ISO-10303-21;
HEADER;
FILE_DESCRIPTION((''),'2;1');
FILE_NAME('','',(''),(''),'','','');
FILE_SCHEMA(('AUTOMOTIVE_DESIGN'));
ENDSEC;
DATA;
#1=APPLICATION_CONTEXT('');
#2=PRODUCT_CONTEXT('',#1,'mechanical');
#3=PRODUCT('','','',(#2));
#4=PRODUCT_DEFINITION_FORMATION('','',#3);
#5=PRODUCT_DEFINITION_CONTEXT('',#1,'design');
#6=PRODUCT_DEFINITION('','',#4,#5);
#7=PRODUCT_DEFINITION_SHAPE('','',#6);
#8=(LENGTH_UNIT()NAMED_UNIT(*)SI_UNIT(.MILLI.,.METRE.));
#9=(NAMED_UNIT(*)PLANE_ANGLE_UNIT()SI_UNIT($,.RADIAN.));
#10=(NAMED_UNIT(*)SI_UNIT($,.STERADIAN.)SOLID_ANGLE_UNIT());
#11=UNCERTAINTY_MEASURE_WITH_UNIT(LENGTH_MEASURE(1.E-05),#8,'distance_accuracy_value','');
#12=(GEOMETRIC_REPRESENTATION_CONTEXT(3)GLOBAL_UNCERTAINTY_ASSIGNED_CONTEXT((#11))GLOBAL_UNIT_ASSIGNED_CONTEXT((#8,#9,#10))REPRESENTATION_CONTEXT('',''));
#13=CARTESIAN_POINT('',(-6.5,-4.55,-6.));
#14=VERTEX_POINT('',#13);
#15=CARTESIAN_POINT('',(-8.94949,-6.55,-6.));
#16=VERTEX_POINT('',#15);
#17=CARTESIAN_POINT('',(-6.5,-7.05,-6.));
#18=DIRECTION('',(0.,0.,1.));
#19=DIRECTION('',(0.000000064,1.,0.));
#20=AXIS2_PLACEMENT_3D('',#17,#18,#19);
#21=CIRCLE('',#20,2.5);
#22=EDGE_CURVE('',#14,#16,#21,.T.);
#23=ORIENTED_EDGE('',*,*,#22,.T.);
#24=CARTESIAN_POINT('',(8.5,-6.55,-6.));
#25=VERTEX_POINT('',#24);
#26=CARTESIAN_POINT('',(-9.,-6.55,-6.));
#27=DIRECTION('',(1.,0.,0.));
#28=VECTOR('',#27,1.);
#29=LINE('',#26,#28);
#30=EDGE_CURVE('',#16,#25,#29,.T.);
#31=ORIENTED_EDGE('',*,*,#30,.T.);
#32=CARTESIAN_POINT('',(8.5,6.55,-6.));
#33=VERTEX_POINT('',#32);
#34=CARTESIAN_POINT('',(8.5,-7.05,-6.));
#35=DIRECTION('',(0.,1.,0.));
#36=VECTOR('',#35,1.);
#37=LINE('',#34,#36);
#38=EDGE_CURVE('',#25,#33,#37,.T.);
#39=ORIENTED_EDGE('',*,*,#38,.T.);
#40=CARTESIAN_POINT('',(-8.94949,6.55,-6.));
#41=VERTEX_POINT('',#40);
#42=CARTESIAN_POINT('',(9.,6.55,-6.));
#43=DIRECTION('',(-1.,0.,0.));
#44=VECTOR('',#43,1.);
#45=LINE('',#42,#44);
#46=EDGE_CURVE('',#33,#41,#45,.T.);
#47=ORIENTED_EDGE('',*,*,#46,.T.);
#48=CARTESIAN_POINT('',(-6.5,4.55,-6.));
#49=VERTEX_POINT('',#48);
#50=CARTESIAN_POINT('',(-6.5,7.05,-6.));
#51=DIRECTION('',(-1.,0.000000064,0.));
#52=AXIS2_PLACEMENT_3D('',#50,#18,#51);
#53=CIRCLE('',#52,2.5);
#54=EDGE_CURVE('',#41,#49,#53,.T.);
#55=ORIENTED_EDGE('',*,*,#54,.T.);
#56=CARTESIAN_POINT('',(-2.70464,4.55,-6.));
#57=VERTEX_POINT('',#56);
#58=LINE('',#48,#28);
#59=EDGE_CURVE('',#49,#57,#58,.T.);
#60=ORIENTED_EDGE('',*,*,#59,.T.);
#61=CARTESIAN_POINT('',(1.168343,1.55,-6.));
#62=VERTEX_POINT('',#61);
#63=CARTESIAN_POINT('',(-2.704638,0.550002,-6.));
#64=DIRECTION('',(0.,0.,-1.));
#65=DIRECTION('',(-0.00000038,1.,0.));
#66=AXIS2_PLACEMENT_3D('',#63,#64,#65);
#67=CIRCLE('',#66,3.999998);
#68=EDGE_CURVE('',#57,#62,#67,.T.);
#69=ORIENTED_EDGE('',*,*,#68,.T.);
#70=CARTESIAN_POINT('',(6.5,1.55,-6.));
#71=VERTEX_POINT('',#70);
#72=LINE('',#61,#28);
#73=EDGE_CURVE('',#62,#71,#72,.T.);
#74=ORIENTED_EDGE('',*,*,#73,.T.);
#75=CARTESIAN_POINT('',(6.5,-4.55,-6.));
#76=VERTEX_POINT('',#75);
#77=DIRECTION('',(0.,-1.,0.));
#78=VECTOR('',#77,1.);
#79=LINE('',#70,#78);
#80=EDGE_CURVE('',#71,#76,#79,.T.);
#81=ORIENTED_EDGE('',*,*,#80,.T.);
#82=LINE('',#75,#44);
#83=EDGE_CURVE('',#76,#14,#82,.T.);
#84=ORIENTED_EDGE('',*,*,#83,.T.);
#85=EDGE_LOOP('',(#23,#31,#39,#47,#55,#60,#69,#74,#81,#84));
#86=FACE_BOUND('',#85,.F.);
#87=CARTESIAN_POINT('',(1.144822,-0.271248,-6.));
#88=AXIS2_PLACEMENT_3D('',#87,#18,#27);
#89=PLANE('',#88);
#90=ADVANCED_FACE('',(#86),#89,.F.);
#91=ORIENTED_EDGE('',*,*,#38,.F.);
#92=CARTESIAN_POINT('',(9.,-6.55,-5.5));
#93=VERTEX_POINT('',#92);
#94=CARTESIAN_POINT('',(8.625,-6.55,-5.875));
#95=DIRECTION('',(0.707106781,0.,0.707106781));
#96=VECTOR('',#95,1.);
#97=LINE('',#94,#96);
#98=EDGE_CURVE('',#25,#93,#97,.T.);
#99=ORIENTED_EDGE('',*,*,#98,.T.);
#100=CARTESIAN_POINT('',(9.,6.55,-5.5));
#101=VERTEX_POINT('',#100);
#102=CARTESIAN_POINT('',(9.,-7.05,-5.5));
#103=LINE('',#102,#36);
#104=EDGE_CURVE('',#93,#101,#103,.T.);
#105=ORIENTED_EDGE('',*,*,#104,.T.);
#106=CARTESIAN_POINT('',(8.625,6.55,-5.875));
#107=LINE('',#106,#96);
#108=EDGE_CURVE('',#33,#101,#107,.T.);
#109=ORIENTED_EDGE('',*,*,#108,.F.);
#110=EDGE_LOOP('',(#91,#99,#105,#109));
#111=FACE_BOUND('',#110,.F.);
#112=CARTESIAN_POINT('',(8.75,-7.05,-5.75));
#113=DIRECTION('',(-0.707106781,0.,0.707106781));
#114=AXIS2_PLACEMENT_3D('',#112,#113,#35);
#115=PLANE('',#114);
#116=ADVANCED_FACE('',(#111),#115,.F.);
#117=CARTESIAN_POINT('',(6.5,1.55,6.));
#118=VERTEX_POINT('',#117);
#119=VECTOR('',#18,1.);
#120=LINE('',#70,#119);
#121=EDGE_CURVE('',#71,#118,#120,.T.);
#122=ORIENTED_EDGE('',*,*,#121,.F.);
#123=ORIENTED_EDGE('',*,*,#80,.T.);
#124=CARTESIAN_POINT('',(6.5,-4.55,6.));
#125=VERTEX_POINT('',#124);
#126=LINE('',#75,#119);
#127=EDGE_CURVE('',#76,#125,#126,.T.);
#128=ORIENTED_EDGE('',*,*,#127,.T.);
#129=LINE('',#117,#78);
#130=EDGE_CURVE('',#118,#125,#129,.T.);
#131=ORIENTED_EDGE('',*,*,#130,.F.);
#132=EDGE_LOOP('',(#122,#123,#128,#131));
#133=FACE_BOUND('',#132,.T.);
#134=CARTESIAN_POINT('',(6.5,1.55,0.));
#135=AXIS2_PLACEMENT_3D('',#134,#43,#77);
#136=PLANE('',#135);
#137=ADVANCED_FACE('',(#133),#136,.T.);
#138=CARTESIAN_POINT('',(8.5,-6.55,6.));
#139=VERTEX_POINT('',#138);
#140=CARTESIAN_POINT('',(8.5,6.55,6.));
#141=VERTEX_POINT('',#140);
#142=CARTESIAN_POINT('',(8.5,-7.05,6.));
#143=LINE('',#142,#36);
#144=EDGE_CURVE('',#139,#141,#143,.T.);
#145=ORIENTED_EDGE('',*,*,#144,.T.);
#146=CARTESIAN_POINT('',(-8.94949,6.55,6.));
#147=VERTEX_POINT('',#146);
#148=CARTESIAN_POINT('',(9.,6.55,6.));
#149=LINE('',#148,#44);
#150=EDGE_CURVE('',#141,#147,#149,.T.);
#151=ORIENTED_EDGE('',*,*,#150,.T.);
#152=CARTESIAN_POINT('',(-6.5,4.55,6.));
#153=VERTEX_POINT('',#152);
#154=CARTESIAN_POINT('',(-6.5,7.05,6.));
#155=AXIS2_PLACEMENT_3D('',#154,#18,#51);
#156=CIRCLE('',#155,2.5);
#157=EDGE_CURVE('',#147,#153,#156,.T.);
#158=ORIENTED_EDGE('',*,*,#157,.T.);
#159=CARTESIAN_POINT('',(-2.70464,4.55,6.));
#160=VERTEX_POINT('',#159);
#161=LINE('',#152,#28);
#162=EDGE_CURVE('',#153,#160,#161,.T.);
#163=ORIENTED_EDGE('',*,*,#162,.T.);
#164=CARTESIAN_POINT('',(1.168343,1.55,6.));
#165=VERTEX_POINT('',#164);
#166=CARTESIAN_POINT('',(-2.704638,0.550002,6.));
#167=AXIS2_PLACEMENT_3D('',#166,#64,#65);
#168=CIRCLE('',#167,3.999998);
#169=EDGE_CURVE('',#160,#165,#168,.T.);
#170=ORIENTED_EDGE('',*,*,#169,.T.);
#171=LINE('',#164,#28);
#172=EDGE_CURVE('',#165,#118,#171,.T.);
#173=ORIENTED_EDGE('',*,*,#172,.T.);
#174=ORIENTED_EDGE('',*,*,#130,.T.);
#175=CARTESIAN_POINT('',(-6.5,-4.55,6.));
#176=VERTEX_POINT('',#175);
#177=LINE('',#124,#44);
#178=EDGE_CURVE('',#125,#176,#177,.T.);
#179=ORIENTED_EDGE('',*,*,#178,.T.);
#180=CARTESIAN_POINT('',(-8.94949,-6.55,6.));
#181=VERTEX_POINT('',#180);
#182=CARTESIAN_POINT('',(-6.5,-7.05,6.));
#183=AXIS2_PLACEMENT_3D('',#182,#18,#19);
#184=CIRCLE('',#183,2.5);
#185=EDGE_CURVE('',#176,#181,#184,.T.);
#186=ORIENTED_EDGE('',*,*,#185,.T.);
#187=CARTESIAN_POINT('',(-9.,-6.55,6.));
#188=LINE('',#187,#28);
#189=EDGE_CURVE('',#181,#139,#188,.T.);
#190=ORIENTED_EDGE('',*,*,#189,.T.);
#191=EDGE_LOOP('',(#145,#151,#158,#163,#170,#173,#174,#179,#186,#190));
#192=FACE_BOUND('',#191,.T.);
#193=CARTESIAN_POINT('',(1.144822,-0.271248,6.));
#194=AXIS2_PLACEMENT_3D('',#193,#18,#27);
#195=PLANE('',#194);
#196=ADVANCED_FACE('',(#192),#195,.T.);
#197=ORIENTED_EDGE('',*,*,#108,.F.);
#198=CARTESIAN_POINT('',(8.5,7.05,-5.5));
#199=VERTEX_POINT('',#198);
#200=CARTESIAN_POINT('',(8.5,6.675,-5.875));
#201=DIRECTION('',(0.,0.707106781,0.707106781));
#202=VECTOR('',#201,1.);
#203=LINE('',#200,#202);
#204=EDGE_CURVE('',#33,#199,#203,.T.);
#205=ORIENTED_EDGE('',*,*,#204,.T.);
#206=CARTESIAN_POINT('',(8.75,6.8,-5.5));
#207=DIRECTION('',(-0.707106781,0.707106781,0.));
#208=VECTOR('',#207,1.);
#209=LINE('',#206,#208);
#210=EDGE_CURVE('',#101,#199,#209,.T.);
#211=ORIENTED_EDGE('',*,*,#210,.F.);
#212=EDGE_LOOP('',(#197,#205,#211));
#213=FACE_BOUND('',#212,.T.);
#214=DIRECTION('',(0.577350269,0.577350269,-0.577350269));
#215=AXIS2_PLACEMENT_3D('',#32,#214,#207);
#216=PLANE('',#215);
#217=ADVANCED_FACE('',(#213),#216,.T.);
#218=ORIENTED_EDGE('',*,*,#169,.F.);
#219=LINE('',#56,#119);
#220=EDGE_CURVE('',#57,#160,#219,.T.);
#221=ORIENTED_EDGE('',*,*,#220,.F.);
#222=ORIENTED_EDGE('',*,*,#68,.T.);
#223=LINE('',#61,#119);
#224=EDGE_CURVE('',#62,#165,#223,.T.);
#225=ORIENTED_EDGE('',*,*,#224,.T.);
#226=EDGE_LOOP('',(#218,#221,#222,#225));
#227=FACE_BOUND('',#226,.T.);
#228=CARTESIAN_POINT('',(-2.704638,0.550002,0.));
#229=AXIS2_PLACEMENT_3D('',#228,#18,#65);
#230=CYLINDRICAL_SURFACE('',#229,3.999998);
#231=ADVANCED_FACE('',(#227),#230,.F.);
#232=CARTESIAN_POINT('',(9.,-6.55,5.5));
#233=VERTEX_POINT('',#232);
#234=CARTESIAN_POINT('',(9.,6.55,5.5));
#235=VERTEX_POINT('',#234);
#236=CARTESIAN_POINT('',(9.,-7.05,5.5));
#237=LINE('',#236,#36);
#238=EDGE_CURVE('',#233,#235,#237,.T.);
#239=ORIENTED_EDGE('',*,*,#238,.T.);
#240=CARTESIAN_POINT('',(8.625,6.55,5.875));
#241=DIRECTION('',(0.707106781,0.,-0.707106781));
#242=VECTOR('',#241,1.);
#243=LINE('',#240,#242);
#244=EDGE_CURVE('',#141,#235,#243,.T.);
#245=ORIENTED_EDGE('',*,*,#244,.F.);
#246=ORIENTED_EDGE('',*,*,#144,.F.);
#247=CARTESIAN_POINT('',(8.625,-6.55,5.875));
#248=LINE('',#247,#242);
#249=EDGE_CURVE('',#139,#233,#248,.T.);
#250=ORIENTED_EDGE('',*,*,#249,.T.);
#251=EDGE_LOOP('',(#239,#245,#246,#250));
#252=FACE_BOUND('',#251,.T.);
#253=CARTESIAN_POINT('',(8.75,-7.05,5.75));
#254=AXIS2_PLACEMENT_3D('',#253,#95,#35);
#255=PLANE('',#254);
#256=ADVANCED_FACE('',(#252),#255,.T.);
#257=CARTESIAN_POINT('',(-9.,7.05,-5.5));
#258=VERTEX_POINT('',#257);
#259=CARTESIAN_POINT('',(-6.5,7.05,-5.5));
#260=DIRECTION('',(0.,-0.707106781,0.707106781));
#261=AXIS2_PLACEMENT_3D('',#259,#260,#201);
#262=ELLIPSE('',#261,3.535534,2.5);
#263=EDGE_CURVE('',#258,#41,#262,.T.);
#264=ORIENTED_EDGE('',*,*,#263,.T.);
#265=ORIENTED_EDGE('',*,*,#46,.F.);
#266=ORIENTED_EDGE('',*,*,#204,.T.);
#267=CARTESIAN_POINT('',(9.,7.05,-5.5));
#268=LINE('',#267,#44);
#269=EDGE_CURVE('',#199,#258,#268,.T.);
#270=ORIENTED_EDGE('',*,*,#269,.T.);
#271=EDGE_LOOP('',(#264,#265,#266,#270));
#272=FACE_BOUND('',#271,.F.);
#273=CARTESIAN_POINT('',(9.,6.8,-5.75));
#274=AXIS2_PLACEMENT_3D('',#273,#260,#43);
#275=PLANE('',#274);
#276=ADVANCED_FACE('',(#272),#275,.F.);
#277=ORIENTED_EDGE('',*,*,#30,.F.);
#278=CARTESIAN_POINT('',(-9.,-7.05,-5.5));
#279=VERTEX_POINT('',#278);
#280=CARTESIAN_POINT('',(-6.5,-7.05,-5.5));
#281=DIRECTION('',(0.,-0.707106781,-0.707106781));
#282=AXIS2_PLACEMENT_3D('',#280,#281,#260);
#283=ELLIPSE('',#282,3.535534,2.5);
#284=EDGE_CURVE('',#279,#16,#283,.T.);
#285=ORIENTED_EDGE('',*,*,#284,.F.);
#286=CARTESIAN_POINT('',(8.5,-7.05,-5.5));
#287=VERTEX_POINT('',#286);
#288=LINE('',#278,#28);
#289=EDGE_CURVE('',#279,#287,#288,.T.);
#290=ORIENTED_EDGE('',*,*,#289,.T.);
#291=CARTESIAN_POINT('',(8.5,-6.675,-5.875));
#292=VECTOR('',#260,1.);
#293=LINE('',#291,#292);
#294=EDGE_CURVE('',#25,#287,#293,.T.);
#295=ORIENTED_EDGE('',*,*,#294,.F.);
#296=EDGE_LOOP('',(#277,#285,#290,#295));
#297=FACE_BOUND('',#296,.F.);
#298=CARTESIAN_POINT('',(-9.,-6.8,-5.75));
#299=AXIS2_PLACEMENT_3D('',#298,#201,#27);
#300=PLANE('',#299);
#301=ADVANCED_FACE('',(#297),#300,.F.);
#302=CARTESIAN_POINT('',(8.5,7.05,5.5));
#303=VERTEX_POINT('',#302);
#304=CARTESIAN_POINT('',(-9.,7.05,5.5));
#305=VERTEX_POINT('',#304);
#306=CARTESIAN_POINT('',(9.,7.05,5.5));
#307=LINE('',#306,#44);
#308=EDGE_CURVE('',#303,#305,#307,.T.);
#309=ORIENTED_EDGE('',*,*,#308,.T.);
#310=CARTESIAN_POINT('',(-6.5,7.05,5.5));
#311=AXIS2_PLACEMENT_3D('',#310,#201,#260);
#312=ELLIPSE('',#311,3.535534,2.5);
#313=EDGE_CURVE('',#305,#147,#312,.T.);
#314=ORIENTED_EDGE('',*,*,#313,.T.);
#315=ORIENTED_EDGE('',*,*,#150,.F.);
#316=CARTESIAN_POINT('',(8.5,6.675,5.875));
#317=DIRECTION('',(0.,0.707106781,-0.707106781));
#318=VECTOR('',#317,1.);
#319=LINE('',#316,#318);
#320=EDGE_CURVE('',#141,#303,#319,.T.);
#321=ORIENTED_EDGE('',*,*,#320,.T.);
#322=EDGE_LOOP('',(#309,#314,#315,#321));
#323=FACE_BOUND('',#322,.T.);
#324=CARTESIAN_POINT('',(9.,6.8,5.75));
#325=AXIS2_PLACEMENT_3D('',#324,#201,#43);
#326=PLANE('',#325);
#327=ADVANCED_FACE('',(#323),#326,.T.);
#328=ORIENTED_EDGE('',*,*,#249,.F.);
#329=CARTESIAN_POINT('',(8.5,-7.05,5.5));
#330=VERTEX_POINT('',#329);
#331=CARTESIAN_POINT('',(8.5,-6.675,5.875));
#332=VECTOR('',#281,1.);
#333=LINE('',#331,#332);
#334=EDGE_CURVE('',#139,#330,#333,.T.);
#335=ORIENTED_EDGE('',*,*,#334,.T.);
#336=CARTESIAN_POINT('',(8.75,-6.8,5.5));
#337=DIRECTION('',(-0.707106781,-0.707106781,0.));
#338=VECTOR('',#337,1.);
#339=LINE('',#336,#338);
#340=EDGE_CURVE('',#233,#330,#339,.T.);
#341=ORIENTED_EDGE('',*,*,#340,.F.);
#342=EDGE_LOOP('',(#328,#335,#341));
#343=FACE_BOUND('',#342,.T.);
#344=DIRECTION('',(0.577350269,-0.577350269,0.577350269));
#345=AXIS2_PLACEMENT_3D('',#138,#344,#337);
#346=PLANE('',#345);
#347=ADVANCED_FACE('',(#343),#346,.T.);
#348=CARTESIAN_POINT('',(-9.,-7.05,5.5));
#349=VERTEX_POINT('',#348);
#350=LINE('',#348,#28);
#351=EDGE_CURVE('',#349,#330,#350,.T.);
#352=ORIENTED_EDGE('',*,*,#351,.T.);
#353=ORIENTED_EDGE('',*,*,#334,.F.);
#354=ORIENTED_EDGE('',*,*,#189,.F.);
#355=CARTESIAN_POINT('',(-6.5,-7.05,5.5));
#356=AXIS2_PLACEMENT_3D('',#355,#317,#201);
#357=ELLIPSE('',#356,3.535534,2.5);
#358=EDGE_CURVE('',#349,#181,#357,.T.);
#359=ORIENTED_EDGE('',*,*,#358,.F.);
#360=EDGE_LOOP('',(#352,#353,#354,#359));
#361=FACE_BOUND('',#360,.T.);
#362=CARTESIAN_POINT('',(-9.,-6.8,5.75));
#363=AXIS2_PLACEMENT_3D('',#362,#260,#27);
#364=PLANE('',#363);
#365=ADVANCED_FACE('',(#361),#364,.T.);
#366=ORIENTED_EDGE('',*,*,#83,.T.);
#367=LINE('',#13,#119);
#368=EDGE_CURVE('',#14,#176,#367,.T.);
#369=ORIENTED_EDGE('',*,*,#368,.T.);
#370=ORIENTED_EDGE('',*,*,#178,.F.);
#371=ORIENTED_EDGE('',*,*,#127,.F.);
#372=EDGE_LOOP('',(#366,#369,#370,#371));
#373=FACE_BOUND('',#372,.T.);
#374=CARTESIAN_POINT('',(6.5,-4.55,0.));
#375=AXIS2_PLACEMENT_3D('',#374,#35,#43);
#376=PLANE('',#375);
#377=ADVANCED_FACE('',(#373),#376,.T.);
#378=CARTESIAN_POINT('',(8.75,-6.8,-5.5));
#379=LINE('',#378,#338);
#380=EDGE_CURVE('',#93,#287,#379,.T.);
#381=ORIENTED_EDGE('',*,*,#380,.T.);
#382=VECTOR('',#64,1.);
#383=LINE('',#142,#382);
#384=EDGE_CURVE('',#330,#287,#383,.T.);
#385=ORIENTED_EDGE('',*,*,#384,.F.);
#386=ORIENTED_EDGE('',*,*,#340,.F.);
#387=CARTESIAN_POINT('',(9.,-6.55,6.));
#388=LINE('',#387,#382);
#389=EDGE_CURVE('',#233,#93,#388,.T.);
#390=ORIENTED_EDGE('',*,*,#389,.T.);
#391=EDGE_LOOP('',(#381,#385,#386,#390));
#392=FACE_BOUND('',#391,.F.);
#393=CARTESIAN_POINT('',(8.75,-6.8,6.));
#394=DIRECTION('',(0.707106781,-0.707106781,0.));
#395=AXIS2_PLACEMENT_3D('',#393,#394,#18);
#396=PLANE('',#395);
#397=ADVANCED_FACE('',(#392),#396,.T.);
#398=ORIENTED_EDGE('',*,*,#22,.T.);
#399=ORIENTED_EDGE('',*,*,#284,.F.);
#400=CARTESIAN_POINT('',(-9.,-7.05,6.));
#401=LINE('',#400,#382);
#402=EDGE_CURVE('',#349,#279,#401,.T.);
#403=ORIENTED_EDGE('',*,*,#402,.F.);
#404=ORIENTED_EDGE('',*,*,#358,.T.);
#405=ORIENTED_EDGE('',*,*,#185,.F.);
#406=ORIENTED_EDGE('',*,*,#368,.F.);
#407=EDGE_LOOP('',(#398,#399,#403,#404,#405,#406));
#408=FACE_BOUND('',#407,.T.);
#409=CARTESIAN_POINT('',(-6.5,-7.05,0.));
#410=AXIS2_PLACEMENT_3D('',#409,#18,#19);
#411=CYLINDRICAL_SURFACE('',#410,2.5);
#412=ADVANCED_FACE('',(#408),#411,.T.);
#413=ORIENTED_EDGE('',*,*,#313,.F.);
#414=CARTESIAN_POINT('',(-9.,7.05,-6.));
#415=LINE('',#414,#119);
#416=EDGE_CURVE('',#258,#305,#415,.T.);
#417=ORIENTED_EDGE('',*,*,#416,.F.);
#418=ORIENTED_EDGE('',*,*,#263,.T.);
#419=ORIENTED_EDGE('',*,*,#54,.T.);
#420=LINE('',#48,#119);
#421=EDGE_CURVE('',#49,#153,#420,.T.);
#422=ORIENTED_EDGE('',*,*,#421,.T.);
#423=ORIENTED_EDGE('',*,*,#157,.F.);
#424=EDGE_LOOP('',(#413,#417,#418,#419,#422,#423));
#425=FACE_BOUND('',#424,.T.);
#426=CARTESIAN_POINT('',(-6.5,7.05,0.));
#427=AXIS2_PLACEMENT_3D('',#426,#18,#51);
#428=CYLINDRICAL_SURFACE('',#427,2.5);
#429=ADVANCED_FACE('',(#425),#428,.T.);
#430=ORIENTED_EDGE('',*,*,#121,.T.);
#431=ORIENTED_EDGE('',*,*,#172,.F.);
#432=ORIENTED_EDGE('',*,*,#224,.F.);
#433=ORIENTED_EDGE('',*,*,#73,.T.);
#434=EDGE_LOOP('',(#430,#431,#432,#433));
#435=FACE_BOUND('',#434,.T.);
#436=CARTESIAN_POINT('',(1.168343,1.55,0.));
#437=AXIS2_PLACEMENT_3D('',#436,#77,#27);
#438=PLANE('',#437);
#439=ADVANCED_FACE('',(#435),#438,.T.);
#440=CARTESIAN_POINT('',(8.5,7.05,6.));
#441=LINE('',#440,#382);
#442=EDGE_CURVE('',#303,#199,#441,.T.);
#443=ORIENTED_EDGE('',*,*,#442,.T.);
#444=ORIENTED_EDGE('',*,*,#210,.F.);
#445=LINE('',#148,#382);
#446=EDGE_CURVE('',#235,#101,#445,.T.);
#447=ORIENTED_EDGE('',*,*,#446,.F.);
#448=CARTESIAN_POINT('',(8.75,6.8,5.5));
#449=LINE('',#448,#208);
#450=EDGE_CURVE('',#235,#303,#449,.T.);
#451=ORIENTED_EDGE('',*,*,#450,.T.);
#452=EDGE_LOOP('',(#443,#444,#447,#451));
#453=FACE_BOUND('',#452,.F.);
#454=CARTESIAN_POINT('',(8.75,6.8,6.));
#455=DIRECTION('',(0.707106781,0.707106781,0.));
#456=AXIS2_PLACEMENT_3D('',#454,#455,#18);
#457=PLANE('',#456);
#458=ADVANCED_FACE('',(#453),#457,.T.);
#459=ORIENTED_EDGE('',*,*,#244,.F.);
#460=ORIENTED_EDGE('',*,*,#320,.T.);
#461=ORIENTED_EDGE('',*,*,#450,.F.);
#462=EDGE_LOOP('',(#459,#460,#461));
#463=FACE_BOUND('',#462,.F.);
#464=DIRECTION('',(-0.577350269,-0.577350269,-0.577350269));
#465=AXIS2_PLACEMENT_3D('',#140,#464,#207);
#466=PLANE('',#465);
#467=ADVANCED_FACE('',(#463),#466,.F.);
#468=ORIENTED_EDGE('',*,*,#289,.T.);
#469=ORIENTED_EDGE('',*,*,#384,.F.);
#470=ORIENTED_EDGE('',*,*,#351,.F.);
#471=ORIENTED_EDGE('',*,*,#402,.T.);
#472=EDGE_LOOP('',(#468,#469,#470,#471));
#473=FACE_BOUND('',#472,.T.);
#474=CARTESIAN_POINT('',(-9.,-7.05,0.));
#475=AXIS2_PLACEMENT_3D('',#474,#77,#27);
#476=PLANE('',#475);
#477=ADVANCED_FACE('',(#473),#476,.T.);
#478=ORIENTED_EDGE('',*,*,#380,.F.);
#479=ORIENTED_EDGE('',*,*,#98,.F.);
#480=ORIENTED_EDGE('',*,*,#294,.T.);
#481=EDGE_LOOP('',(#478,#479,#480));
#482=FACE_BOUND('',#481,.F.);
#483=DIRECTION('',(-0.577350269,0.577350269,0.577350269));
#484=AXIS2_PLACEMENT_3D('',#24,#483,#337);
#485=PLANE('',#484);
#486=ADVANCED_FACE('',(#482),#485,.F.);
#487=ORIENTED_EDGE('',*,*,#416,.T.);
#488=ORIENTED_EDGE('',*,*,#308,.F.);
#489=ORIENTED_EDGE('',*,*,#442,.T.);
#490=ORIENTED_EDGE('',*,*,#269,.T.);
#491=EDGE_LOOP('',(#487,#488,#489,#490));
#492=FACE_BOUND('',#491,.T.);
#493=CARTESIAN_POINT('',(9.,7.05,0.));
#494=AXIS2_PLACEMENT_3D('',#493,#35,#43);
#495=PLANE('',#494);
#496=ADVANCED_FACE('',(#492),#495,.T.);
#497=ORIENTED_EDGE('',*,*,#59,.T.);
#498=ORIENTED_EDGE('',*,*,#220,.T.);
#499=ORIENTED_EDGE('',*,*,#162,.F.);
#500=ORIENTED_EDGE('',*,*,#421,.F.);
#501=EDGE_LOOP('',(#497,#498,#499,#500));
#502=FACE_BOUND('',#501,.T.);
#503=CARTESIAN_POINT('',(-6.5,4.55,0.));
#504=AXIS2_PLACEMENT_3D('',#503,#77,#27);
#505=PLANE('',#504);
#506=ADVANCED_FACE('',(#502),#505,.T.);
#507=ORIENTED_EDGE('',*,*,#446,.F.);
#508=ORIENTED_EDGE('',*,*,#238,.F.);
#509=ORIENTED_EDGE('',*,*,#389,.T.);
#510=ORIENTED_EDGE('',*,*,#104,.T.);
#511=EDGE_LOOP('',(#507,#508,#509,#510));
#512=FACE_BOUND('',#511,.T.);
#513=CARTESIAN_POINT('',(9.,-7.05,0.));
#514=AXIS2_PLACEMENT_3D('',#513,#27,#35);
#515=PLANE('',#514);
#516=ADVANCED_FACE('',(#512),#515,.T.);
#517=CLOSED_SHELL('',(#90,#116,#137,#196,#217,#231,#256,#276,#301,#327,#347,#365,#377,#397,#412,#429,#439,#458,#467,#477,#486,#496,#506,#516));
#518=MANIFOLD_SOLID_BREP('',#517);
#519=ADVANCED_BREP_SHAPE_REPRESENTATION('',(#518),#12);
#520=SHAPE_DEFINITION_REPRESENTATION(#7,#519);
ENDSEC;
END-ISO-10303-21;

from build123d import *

# Parameters (mm, degrees)
F1_DEPTH = 6
F2_SIZE  = 0.5


with BuildPart() as f1:
    # F0 (on Top) → F1 (new body, symmetric)
    with BuildSketch(Plane.XY):
        with BuildLine():
            Line((9, 7.05), (-9, 7.05))
            ThreePointArc((-9, 7.05), (-8.267767, 5.282233), (-6.5, 4.55))
            Line((-6.5, 4.55), (-2.70464, 4.55))
            ThreePointArc((-2.70464, 4.55), (-0.25515, 3.712278), (1.168343, 1.55))
            Line((1.168343, 1.55), (6.5, 1.55))
            Line((6.5, 1.55), (6.5, -4.55))
            Line((6.5, -4.55), (-6.5, -4.55))
            ThreePointArc((-6.5, -4.55), (-8.267767, -5.282233), (-9, -7.05))
            Line((-9, -7.05), (9, -7.05))
            Line((9, -7.05), (9, 7.05))
        make_face()
    extrude(amount=F1_DEPTH, both=True)

    # F2
    f2_edges = [f1.edges().sort_by_distance(p)[0] for p in [
        (9, 7.05, 0),
        (9, -7.05, 0),
        (9, 0, 6),
        (9, 0, -6),
        (0, 7.05, -6),
        (0, 7.05, 6),
        (0, -7.05, 6),
        (0, -7.05, -6),
    ]]
    chamfer(f2_edges, length=F2_SIZE)


with BuildPart() as f3_1:
    # F3: copy of F1
    add(f1.part.moved(Location((26.4, 0, 0))))


solid = f1.part
